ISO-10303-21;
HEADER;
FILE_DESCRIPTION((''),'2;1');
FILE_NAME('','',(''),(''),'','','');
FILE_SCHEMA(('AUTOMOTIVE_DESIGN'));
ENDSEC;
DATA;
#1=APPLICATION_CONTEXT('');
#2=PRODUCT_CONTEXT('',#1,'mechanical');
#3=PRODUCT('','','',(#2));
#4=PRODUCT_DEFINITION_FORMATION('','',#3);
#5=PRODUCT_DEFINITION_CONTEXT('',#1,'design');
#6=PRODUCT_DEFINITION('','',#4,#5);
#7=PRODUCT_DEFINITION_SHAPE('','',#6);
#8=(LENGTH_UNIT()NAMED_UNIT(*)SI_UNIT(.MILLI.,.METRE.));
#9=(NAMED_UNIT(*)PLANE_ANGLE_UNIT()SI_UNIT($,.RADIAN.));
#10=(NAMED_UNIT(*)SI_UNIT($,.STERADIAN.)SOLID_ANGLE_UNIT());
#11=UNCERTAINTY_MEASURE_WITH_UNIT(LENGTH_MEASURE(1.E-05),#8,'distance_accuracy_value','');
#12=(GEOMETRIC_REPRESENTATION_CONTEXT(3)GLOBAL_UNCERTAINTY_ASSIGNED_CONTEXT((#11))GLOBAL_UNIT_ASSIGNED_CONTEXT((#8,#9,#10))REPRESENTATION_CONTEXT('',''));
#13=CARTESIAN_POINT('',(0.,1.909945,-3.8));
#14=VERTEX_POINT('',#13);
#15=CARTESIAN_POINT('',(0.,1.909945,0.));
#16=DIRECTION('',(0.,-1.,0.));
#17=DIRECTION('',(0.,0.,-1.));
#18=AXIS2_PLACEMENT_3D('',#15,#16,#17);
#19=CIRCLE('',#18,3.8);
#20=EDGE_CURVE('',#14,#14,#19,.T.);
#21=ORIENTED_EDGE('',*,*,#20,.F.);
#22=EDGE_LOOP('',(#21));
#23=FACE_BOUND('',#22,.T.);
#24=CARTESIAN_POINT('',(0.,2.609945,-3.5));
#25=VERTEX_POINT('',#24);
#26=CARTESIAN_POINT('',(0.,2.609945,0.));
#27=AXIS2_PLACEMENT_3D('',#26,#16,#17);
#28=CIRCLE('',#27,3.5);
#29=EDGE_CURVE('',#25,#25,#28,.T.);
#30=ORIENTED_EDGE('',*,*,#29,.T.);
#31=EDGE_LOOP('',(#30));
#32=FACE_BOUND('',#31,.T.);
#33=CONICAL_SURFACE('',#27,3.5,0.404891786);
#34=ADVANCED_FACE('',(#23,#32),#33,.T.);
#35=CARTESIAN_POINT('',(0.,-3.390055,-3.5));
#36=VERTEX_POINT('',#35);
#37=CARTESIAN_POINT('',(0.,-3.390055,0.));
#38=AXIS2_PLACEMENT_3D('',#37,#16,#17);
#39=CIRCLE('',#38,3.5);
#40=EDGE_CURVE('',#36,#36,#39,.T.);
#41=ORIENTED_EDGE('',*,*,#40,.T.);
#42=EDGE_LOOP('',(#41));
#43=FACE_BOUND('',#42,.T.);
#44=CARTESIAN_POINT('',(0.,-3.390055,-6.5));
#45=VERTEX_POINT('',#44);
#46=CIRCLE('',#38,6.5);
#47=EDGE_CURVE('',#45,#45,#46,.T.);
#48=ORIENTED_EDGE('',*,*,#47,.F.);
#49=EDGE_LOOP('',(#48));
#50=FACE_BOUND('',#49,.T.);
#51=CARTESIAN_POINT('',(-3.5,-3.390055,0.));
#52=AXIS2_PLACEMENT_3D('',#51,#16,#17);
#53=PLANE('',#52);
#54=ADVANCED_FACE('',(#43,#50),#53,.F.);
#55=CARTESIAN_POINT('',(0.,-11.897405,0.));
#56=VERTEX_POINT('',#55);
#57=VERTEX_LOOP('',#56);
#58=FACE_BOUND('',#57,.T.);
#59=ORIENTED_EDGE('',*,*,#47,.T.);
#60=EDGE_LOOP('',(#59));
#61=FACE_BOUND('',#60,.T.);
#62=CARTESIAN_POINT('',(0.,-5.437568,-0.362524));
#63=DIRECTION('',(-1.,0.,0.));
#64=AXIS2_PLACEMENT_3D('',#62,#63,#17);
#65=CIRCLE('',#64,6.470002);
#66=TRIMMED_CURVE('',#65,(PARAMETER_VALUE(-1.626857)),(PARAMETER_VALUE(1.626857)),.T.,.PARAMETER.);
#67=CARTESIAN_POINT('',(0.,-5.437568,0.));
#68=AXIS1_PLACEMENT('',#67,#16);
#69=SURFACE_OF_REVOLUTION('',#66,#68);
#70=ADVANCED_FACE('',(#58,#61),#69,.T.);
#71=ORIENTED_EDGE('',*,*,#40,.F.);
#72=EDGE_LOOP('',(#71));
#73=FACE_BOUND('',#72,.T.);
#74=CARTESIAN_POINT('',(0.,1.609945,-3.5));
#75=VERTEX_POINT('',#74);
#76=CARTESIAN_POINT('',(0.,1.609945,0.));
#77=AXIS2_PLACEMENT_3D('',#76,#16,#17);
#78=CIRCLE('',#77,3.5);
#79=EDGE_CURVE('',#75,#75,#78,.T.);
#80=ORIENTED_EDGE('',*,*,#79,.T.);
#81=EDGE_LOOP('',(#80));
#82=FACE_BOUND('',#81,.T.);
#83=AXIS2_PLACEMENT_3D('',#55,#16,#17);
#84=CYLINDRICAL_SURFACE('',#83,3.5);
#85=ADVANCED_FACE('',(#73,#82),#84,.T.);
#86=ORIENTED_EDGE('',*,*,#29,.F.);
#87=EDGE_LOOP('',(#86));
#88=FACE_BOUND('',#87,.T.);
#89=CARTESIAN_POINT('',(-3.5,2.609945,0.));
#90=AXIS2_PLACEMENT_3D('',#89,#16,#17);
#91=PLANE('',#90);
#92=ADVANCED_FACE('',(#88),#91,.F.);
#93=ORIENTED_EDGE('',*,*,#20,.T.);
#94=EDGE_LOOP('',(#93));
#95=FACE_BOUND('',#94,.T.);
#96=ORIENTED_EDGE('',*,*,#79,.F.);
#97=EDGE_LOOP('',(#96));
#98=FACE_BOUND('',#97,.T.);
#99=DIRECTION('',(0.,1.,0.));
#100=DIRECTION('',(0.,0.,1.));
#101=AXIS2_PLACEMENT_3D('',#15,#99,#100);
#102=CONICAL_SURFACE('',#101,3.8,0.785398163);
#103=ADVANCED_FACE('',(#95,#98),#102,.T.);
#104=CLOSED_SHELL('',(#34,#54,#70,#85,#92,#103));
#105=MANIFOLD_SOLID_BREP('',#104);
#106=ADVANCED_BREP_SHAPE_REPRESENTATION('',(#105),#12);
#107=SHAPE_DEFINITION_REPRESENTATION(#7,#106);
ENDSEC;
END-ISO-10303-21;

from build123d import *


with BuildPart() as part:
    # Sketch1 → Revolve2 (revolve)
    with BuildSketch(Plane.XY):
        with BuildLine():
            Line((-3.5, 1.609945363), (-3.5, -3.390054637))
            Line((-3.5, -3.390054637), (-6.5, -3.390054637))
            ThreePointArc((-6.5, -3.390054637), (-5.503659161, -9.365627215), (0, -11.897404959))
            Line((0, -11.897404959), (0, 2.609945363))
            Line((0, 2.609945363), (-3.5, 2.609945363))
            Line((-3.5, 2.609945363), (-3.8, 1.909945363))
            Line((-3.8, 1.909945363), (-3.5, 1.609945363))
        make_face()
    revolve(axis=Axis((0, -11.897404959, 0), (0, 1, 0)))


solid = part.part
